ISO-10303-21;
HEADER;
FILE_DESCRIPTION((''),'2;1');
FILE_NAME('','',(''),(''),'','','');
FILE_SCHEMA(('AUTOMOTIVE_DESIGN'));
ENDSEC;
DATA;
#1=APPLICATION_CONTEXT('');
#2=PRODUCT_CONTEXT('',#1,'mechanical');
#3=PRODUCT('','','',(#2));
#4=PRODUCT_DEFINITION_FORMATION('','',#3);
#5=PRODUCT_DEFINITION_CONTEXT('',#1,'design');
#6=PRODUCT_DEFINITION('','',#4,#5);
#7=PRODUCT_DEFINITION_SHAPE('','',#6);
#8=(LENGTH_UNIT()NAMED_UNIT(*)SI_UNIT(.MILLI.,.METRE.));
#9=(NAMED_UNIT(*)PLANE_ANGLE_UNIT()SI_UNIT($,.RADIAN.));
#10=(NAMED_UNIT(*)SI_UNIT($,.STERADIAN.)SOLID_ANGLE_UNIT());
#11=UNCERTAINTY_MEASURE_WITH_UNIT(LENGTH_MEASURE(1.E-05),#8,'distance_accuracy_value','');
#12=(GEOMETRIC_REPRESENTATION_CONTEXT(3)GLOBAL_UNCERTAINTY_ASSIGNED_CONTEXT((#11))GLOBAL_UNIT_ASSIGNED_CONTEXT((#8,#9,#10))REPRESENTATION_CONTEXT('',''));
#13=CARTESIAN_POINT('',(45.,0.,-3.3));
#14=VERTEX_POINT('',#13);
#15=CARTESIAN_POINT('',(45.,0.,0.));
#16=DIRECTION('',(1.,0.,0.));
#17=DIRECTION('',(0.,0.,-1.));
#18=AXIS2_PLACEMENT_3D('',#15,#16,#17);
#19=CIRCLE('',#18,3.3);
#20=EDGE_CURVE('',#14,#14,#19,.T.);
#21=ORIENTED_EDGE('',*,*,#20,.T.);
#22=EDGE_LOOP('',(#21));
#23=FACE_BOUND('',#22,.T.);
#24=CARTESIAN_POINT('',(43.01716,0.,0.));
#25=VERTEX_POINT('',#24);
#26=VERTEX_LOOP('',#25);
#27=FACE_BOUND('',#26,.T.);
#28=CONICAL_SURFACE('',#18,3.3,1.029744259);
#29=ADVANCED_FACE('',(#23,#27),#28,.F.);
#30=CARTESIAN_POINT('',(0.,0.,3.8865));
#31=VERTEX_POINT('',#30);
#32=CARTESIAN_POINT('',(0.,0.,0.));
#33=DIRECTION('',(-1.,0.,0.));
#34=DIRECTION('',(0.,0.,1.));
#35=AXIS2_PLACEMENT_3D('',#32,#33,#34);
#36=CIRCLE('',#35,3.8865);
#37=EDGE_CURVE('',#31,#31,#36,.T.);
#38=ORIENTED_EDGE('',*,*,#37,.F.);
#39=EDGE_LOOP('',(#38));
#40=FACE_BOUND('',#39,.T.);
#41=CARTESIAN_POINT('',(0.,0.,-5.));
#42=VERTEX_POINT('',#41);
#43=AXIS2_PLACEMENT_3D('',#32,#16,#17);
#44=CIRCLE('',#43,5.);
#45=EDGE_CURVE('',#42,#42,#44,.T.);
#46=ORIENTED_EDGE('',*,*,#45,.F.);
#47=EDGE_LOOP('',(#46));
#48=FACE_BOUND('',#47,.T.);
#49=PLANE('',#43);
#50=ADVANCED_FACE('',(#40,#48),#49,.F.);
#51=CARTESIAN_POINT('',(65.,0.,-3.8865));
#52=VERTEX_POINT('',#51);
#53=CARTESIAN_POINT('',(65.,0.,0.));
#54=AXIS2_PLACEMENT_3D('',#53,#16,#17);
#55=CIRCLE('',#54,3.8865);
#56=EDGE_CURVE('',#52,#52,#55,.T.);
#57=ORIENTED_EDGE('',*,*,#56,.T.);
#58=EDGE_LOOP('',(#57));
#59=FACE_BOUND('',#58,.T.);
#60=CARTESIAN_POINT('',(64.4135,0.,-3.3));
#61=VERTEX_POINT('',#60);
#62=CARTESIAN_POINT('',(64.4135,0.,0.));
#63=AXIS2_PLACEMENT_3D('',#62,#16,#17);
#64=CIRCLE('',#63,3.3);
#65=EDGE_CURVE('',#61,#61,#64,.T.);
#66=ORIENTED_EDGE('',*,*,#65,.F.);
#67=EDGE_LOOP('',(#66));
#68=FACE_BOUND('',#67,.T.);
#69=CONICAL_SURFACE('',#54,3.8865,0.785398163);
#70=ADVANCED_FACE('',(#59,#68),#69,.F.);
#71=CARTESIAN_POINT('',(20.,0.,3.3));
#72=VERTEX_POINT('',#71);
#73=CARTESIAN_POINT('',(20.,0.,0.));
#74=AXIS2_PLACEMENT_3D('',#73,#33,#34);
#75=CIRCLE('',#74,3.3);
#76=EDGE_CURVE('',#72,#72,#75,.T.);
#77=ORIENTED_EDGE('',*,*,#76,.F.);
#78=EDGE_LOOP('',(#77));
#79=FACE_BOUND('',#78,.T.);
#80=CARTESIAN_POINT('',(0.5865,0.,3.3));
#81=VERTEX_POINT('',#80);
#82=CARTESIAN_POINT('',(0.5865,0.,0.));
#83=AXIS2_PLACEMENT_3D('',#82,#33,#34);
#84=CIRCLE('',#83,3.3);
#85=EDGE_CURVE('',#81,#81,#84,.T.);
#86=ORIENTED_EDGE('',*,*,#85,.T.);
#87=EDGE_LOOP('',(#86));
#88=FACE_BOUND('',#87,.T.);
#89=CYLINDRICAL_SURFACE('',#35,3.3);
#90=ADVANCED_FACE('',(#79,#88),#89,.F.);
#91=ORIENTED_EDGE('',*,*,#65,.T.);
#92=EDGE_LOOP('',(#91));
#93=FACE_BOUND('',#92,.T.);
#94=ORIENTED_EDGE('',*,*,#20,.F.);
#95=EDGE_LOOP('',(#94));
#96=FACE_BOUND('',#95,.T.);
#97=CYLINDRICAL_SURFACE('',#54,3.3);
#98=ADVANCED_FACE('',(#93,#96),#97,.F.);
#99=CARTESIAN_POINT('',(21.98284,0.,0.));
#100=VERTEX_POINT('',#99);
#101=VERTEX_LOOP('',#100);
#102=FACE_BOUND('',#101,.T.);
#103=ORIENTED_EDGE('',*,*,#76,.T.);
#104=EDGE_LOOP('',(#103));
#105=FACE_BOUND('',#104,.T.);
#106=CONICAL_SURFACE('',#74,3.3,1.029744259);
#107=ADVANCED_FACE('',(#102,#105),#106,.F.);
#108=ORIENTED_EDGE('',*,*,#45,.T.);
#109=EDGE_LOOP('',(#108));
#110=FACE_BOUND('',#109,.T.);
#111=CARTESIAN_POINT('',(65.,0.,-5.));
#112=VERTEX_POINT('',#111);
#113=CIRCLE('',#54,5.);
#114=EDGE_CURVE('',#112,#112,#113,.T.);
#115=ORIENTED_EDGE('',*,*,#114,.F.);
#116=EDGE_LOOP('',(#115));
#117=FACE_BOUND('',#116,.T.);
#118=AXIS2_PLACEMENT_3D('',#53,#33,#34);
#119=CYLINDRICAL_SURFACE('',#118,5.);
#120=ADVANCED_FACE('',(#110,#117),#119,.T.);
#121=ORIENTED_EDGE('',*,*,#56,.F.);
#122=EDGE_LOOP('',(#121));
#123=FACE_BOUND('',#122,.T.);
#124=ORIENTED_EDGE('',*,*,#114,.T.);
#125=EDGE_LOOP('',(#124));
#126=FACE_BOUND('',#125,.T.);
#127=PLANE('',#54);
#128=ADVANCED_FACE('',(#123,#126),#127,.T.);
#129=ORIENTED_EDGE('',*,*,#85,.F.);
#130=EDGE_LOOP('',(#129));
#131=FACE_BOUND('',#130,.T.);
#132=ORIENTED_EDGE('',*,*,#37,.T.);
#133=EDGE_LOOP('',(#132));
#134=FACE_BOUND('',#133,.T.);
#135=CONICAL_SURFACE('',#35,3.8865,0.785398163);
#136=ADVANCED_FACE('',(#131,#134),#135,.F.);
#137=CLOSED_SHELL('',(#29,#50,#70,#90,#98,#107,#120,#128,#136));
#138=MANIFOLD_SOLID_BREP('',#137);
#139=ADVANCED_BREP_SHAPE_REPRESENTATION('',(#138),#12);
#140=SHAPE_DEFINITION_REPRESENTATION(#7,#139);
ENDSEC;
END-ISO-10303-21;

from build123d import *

# Parameters (mm, degrees)
SKETCH_1_R                      = 5
EXTRUDE_2_DEPTH                 = 65
HOLE_WIZARD_G1_16_1_D           = 6.6
HOLE_WIZARD_G1_16_1_DEPTH       = 20
HOLE_WIZARD_G1_16_1_CSINK_D     = 7.773
HOLE_WIZARD_G1_16_1_CSINK_ANGLE = 90
HOLE_WIZARD_G1_16_1_TIP         = 1.982840043
HOLE_WIZARD_G1_16_2_D           = 6.6
HOLE_WIZARD_G1_16_2_DEPTH       = 20
HOLE_WIZARD_G1_16_2_CSINK_D     = 7.773
HOLE_WIZARD_G1_16_2_CSINK_ANGLE = 90
HOLE_WIZARD_G1_16_2_TIP         = 1.982840043


with BuildPart() as part:
    # 草图1 → 凸台-拉伸2 (new body)
    with BuildSketch(Plane(origin=(0, 0, 0), x_dir=(0, 0, -1), z_dir=(1, 0, 0))):
        Circle(SKETCH_1_R)
    extrude(amount=EXTRUDE_2_DEPTH)

    # G1/16 螺纹孔1
    with Locations(Plane.ZY):
        with Locations((0, 0)):
            CounterSinkHole(HOLE_WIZARD_G1_16_1_D / 2, HOLE_WIZARD_G1_16_1_CSINK_D / 2, depth=HOLE_WIZARD_G1_16_1_DEPTH, counter_sink_angle=HOLE_WIZARD_G1_16_1_CSINK_ANGLE)
            with Locations((0, 0, -(HOLE_WIZARD_G1_16_1_DEPTH + HOLE_WIZARD_G1_16_1_TIP / 2))):  # 118° drill point
                Cone(0, HOLE_WIZARD_G1_16_1_D / 2, HOLE_WIZARD_G1_16_1_TIP, mode=Mode.SUBTRACT)

    # G1/16 螺纹孔2
    with Locations(Plane(origin=(65, 0, 0), x_dir=(0, 0, -1), z_dir=(1, 0, 0))):
        with Locations((0, 0)):
            CounterSinkHole(HOLE_WIZARD_G1_16_2_D / 2, HOLE_WIZARD_G1_16_2_CSINK_D / 2, depth=HOLE_WIZARD_G1_16_2_DEPTH, counter_sink_angle=HOLE_WIZARD_G1_16_2_CSINK_ANGLE)
            with Locations((0, 0, -(HOLE_WIZARD_G1_16_2_DEPTH + HOLE_WIZARD_G1_16_2_TIP / 2))):  # 118° drill point
                Cone(0, HOLE_WIZARD_G1_16_2_D / 2, HOLE_WIZARD_G1_16_2_TIP, mode=Mode.SUBTRACT)


solid = part.part
